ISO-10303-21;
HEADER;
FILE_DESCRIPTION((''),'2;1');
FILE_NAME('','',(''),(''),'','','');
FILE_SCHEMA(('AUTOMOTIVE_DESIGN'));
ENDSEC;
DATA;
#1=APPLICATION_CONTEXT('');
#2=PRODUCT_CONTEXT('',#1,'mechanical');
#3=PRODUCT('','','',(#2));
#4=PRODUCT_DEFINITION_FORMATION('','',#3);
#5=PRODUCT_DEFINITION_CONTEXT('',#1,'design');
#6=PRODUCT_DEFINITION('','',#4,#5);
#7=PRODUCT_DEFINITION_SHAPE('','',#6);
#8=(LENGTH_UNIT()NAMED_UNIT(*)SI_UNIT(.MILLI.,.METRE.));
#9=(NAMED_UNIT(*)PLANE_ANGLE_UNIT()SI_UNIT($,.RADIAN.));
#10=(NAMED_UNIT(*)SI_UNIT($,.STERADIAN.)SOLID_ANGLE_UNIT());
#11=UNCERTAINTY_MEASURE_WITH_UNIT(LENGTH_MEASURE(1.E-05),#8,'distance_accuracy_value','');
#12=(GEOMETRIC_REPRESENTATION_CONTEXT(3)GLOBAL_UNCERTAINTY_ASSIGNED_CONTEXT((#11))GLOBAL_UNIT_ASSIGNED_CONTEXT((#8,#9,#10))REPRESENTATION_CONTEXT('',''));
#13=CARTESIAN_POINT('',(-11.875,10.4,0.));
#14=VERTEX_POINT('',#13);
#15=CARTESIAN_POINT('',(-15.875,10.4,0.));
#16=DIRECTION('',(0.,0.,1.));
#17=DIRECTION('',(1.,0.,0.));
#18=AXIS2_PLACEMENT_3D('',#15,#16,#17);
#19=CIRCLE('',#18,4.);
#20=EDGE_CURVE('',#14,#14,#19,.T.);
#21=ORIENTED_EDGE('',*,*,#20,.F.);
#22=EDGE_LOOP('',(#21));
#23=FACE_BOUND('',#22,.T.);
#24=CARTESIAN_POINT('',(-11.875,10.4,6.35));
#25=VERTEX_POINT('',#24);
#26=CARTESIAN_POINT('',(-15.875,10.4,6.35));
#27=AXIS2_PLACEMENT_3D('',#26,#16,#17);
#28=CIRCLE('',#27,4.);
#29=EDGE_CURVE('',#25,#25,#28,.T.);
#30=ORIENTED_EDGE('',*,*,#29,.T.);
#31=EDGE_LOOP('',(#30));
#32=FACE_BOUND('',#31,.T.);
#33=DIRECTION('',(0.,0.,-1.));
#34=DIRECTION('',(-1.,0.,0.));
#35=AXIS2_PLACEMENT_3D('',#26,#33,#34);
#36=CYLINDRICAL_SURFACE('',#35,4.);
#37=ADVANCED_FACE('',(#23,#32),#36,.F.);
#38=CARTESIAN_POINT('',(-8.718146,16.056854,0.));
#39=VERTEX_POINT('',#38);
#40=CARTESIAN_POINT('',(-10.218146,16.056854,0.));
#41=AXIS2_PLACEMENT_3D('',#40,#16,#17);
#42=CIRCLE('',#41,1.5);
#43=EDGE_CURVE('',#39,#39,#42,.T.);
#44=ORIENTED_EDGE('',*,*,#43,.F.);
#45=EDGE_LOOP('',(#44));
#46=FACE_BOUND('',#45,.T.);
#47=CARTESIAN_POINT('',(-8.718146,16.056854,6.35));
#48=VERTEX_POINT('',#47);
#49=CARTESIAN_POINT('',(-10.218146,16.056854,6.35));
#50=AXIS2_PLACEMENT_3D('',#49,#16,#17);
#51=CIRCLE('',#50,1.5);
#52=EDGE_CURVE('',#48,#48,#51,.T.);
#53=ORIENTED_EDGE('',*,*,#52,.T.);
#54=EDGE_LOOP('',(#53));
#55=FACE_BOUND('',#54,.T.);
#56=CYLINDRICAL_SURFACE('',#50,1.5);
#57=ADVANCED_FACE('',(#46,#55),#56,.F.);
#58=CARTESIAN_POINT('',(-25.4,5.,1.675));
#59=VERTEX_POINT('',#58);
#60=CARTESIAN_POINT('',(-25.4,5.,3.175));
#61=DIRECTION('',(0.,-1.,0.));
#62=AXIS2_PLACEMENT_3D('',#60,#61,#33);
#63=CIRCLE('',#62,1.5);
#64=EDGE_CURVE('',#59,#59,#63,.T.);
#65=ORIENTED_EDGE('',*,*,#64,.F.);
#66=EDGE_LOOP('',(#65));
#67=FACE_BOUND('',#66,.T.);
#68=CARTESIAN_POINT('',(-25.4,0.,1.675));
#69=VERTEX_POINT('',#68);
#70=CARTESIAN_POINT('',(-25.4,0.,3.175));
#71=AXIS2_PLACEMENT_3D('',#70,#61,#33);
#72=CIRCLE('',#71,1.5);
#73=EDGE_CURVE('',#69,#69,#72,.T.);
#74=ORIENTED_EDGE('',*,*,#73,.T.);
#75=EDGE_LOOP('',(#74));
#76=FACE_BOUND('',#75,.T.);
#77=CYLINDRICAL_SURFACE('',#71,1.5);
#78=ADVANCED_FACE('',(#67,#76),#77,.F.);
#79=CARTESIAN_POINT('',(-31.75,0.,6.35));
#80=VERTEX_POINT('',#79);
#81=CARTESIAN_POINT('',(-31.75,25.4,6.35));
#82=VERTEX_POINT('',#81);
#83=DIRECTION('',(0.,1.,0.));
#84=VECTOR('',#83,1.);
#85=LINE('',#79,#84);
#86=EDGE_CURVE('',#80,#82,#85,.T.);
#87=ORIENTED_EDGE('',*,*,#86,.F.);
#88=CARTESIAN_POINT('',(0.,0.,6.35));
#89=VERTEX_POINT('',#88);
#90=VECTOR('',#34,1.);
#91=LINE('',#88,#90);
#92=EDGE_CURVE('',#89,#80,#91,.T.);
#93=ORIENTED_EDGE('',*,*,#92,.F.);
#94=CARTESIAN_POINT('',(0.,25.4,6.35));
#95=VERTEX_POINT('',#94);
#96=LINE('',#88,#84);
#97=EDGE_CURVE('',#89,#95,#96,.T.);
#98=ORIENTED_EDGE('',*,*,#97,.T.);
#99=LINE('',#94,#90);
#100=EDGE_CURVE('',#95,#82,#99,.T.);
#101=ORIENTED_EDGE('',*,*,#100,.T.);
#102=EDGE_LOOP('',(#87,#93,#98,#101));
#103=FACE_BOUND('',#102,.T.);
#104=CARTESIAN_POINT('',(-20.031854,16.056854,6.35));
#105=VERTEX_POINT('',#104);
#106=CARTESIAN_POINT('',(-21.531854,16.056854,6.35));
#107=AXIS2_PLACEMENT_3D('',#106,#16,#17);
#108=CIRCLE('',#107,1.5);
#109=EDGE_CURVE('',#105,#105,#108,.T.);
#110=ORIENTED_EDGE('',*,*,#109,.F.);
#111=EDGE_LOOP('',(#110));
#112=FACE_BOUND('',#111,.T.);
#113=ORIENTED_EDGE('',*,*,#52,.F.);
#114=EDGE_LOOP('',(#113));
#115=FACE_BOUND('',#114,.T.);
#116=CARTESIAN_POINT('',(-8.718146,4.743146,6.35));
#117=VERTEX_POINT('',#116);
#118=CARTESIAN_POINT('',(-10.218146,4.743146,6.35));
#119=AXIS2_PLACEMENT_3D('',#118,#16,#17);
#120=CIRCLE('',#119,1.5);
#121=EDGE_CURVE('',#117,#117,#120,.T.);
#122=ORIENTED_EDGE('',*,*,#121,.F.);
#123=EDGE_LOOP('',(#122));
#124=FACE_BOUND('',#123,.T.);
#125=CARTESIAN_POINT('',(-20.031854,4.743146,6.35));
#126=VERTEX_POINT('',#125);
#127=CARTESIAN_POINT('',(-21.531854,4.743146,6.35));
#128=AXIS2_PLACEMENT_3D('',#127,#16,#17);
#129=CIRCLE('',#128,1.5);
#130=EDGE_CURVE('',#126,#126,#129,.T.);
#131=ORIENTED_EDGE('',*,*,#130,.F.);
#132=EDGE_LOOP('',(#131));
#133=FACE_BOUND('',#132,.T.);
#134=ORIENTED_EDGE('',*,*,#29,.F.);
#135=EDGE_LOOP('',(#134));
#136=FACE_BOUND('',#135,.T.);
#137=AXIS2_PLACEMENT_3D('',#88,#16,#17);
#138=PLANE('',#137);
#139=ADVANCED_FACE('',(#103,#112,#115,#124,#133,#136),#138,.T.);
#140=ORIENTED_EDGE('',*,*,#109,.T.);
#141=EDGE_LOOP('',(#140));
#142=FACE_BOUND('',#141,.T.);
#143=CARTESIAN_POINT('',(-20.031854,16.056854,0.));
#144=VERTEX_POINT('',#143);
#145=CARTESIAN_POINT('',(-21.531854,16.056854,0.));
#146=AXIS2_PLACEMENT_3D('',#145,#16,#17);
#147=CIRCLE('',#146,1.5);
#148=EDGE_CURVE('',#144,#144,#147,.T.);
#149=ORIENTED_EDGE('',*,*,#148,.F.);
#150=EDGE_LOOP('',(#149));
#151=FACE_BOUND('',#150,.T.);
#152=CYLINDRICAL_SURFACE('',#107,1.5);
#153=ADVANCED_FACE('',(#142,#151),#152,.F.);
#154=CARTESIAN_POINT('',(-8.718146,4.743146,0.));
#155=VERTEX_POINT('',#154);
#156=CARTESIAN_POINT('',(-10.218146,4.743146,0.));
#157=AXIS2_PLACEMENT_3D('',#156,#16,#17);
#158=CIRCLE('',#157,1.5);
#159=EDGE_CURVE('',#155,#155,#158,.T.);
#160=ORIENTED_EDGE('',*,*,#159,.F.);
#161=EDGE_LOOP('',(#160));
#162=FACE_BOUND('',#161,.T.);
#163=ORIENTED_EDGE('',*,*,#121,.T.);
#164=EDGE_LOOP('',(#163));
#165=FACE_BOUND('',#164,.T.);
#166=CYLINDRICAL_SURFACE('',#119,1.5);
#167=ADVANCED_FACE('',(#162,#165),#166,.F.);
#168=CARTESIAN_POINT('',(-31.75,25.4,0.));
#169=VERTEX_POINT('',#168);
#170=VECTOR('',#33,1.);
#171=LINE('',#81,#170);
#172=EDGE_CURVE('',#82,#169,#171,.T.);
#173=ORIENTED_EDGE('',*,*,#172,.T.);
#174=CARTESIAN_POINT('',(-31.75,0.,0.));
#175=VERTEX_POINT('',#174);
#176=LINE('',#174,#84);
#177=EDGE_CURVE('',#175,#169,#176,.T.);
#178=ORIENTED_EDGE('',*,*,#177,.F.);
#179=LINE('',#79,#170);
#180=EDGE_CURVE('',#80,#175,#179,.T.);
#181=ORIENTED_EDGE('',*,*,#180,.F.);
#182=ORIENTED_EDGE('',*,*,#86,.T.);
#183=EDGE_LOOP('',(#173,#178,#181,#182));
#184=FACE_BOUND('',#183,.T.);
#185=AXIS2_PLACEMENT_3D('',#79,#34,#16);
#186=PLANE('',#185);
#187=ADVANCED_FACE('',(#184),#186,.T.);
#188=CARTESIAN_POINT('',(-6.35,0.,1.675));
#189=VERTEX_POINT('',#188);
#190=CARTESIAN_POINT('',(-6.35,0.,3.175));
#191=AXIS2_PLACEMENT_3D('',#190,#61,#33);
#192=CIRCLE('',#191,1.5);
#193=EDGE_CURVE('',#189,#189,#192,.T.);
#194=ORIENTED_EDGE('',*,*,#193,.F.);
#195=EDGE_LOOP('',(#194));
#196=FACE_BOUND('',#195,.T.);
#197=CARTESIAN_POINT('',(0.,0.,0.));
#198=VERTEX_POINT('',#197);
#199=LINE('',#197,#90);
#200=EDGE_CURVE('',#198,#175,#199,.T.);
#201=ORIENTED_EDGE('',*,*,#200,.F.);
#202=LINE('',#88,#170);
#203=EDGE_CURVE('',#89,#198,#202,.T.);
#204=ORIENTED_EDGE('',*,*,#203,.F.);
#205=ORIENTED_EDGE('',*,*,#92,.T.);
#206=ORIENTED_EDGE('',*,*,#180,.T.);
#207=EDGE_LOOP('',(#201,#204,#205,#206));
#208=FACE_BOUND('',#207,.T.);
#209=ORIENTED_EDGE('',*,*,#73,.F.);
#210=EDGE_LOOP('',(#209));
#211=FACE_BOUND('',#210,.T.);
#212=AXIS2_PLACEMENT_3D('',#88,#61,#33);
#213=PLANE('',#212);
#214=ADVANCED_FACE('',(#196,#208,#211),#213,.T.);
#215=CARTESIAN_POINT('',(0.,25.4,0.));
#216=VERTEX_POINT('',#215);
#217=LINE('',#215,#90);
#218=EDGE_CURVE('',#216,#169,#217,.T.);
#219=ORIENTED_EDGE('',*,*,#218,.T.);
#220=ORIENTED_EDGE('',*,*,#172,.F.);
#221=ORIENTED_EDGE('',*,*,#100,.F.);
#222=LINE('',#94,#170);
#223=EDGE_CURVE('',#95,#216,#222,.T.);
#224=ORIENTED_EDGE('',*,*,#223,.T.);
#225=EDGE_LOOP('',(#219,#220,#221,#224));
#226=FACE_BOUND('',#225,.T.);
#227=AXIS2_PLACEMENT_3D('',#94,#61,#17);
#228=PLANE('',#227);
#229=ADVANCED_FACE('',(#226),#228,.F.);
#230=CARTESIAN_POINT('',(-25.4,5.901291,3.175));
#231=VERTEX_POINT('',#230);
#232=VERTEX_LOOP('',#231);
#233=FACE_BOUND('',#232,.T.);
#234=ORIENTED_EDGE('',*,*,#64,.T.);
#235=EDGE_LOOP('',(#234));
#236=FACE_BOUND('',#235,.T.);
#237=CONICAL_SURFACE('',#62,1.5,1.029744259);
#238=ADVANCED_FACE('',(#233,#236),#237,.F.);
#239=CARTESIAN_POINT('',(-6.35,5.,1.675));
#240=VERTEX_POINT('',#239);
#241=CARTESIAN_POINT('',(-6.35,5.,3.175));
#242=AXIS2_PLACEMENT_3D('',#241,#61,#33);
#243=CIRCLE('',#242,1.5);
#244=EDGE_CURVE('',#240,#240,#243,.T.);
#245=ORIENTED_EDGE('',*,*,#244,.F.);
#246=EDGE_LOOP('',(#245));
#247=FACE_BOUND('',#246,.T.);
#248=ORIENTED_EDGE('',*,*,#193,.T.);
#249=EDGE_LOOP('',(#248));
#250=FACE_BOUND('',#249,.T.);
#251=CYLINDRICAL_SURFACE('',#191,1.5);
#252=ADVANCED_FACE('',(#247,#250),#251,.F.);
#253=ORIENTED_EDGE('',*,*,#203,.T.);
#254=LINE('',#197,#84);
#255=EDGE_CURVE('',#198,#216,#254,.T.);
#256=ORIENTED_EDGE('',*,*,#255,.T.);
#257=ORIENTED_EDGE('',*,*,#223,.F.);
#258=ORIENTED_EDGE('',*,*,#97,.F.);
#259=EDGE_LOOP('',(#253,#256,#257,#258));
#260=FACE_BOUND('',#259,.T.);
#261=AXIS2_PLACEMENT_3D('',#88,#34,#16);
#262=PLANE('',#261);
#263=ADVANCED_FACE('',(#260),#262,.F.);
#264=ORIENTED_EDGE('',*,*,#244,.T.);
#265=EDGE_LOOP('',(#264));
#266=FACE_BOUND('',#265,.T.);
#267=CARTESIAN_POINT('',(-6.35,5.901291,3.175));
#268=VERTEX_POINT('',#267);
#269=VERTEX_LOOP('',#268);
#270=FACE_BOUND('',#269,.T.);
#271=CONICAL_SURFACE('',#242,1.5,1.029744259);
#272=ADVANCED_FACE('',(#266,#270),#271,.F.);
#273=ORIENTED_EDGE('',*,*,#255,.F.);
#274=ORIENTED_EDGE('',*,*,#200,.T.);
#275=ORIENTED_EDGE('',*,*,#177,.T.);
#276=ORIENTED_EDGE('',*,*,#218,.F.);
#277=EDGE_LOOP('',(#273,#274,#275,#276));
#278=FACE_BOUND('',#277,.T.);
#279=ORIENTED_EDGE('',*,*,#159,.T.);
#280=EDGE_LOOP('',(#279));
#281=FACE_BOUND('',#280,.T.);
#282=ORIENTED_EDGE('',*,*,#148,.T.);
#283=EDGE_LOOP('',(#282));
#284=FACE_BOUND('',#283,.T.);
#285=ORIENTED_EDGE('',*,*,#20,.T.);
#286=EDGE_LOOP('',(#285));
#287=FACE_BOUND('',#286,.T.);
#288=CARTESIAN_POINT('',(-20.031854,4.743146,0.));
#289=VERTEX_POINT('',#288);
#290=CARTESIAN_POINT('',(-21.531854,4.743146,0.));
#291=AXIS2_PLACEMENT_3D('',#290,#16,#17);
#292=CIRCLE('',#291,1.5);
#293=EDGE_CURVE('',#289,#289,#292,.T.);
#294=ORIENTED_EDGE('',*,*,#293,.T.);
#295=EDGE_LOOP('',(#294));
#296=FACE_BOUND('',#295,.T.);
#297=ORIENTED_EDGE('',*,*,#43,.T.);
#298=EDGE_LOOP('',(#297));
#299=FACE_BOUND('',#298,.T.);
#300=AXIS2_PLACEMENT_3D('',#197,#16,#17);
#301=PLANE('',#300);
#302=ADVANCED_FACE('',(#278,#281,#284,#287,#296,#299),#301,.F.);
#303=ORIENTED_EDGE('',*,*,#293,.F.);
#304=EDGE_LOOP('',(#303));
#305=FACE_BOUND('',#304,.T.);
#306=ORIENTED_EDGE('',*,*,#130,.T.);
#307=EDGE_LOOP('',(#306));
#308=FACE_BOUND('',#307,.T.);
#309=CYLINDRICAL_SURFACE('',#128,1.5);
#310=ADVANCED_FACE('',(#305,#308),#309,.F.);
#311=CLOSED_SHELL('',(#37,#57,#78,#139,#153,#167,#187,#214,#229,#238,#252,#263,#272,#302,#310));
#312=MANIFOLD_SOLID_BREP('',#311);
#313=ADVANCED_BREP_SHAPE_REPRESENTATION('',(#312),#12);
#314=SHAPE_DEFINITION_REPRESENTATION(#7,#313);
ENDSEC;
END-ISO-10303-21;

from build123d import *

# Parameters (mm, degrees)
FRONT_PROFILE_W           = 31.75
FRONT_PROFILE_H           = 25.4
FRONT_PROFILE_R           = 4
WEPON_MOTOR_MOINT_DEPTH   = 6.35
F_3_0MM_DOWEL_HOLE1_D     = 3
CIRPATTERN1_COUNT         = 4
F_3_0MM_DOWEL_HOLE2_D     = 3
F_3_0MM_DOWEL_HOLE2_DEPTH = 5
F_3_0MM_DOWEL_HOLE2_TIP   = 0.901290929


with BuildPart() as part:
    # front profile → wepon motor moint (new body)
    with BuildSketch(Plane.XY):
        with Locations((-15.875, 12.7)):
            Rectangle(FRONT_PROFILE_W, FRONT_PROFILE_H)
        with Locations((-15.875, 10.4)):
            Circle(FRONT_PROFILE_R, mode=Mode.SUBTRACT)
    extrude(amount=WEPON_MOTOR_MOINT_DEPTH)

    # Ø3.0mm Dowel Hole1 (through all)
    with Locations(Plane.XY.offset(6.35)):
        with Locations((-21.531854249, 16.056854249)):
            f_3_0mm_dowel_hole1 = Hole(F_3_0MM_DOWEL_HOLE1_D / 2)

    # CirPattern1: Ø3.0mm Dowel Hole1 ×4 about axis
    cirpattern1_axis = Axis((-15.875, 10.4, 0), (0, 0, 1))
    for i in range(1, CIRPATTERN1_COUNT):
        add(f_3_0mm_dowel_hole1.rotate(cirpattern1_axis, i * 360 / CIRPATTERN1_COUNT), mode=Mode.SUBTRACT)

    # Ø3.0mm Dowel Hole2
    with Locations(Plane(origin=(0, 0, 0), x_dir=(-1, 0, 0), z_dir=(0, -1, 0))):
        with Locations((6.35, -3.175), (25.4, -3.175)):
            Hole(F_3_0MM_DOWEL_HOLE2_D / 2, depth=F_3_0MM_DOWEL_HOLE2_DEPTH)
            with Locations((0, 0, -(F_3_0MM_DOWEL_HOLE2_DEPTH + F_3_0MM_DOWEL_HOLE2_TIP / 2))):  # 118° drill point
                Cone(0, F_3_0MM_DOWEL_HOLE2_D / 2, F_3_0MM_DOWEL_HOLE2_TIP, mode=Mode.SUBTRACT)


solid = part.part
